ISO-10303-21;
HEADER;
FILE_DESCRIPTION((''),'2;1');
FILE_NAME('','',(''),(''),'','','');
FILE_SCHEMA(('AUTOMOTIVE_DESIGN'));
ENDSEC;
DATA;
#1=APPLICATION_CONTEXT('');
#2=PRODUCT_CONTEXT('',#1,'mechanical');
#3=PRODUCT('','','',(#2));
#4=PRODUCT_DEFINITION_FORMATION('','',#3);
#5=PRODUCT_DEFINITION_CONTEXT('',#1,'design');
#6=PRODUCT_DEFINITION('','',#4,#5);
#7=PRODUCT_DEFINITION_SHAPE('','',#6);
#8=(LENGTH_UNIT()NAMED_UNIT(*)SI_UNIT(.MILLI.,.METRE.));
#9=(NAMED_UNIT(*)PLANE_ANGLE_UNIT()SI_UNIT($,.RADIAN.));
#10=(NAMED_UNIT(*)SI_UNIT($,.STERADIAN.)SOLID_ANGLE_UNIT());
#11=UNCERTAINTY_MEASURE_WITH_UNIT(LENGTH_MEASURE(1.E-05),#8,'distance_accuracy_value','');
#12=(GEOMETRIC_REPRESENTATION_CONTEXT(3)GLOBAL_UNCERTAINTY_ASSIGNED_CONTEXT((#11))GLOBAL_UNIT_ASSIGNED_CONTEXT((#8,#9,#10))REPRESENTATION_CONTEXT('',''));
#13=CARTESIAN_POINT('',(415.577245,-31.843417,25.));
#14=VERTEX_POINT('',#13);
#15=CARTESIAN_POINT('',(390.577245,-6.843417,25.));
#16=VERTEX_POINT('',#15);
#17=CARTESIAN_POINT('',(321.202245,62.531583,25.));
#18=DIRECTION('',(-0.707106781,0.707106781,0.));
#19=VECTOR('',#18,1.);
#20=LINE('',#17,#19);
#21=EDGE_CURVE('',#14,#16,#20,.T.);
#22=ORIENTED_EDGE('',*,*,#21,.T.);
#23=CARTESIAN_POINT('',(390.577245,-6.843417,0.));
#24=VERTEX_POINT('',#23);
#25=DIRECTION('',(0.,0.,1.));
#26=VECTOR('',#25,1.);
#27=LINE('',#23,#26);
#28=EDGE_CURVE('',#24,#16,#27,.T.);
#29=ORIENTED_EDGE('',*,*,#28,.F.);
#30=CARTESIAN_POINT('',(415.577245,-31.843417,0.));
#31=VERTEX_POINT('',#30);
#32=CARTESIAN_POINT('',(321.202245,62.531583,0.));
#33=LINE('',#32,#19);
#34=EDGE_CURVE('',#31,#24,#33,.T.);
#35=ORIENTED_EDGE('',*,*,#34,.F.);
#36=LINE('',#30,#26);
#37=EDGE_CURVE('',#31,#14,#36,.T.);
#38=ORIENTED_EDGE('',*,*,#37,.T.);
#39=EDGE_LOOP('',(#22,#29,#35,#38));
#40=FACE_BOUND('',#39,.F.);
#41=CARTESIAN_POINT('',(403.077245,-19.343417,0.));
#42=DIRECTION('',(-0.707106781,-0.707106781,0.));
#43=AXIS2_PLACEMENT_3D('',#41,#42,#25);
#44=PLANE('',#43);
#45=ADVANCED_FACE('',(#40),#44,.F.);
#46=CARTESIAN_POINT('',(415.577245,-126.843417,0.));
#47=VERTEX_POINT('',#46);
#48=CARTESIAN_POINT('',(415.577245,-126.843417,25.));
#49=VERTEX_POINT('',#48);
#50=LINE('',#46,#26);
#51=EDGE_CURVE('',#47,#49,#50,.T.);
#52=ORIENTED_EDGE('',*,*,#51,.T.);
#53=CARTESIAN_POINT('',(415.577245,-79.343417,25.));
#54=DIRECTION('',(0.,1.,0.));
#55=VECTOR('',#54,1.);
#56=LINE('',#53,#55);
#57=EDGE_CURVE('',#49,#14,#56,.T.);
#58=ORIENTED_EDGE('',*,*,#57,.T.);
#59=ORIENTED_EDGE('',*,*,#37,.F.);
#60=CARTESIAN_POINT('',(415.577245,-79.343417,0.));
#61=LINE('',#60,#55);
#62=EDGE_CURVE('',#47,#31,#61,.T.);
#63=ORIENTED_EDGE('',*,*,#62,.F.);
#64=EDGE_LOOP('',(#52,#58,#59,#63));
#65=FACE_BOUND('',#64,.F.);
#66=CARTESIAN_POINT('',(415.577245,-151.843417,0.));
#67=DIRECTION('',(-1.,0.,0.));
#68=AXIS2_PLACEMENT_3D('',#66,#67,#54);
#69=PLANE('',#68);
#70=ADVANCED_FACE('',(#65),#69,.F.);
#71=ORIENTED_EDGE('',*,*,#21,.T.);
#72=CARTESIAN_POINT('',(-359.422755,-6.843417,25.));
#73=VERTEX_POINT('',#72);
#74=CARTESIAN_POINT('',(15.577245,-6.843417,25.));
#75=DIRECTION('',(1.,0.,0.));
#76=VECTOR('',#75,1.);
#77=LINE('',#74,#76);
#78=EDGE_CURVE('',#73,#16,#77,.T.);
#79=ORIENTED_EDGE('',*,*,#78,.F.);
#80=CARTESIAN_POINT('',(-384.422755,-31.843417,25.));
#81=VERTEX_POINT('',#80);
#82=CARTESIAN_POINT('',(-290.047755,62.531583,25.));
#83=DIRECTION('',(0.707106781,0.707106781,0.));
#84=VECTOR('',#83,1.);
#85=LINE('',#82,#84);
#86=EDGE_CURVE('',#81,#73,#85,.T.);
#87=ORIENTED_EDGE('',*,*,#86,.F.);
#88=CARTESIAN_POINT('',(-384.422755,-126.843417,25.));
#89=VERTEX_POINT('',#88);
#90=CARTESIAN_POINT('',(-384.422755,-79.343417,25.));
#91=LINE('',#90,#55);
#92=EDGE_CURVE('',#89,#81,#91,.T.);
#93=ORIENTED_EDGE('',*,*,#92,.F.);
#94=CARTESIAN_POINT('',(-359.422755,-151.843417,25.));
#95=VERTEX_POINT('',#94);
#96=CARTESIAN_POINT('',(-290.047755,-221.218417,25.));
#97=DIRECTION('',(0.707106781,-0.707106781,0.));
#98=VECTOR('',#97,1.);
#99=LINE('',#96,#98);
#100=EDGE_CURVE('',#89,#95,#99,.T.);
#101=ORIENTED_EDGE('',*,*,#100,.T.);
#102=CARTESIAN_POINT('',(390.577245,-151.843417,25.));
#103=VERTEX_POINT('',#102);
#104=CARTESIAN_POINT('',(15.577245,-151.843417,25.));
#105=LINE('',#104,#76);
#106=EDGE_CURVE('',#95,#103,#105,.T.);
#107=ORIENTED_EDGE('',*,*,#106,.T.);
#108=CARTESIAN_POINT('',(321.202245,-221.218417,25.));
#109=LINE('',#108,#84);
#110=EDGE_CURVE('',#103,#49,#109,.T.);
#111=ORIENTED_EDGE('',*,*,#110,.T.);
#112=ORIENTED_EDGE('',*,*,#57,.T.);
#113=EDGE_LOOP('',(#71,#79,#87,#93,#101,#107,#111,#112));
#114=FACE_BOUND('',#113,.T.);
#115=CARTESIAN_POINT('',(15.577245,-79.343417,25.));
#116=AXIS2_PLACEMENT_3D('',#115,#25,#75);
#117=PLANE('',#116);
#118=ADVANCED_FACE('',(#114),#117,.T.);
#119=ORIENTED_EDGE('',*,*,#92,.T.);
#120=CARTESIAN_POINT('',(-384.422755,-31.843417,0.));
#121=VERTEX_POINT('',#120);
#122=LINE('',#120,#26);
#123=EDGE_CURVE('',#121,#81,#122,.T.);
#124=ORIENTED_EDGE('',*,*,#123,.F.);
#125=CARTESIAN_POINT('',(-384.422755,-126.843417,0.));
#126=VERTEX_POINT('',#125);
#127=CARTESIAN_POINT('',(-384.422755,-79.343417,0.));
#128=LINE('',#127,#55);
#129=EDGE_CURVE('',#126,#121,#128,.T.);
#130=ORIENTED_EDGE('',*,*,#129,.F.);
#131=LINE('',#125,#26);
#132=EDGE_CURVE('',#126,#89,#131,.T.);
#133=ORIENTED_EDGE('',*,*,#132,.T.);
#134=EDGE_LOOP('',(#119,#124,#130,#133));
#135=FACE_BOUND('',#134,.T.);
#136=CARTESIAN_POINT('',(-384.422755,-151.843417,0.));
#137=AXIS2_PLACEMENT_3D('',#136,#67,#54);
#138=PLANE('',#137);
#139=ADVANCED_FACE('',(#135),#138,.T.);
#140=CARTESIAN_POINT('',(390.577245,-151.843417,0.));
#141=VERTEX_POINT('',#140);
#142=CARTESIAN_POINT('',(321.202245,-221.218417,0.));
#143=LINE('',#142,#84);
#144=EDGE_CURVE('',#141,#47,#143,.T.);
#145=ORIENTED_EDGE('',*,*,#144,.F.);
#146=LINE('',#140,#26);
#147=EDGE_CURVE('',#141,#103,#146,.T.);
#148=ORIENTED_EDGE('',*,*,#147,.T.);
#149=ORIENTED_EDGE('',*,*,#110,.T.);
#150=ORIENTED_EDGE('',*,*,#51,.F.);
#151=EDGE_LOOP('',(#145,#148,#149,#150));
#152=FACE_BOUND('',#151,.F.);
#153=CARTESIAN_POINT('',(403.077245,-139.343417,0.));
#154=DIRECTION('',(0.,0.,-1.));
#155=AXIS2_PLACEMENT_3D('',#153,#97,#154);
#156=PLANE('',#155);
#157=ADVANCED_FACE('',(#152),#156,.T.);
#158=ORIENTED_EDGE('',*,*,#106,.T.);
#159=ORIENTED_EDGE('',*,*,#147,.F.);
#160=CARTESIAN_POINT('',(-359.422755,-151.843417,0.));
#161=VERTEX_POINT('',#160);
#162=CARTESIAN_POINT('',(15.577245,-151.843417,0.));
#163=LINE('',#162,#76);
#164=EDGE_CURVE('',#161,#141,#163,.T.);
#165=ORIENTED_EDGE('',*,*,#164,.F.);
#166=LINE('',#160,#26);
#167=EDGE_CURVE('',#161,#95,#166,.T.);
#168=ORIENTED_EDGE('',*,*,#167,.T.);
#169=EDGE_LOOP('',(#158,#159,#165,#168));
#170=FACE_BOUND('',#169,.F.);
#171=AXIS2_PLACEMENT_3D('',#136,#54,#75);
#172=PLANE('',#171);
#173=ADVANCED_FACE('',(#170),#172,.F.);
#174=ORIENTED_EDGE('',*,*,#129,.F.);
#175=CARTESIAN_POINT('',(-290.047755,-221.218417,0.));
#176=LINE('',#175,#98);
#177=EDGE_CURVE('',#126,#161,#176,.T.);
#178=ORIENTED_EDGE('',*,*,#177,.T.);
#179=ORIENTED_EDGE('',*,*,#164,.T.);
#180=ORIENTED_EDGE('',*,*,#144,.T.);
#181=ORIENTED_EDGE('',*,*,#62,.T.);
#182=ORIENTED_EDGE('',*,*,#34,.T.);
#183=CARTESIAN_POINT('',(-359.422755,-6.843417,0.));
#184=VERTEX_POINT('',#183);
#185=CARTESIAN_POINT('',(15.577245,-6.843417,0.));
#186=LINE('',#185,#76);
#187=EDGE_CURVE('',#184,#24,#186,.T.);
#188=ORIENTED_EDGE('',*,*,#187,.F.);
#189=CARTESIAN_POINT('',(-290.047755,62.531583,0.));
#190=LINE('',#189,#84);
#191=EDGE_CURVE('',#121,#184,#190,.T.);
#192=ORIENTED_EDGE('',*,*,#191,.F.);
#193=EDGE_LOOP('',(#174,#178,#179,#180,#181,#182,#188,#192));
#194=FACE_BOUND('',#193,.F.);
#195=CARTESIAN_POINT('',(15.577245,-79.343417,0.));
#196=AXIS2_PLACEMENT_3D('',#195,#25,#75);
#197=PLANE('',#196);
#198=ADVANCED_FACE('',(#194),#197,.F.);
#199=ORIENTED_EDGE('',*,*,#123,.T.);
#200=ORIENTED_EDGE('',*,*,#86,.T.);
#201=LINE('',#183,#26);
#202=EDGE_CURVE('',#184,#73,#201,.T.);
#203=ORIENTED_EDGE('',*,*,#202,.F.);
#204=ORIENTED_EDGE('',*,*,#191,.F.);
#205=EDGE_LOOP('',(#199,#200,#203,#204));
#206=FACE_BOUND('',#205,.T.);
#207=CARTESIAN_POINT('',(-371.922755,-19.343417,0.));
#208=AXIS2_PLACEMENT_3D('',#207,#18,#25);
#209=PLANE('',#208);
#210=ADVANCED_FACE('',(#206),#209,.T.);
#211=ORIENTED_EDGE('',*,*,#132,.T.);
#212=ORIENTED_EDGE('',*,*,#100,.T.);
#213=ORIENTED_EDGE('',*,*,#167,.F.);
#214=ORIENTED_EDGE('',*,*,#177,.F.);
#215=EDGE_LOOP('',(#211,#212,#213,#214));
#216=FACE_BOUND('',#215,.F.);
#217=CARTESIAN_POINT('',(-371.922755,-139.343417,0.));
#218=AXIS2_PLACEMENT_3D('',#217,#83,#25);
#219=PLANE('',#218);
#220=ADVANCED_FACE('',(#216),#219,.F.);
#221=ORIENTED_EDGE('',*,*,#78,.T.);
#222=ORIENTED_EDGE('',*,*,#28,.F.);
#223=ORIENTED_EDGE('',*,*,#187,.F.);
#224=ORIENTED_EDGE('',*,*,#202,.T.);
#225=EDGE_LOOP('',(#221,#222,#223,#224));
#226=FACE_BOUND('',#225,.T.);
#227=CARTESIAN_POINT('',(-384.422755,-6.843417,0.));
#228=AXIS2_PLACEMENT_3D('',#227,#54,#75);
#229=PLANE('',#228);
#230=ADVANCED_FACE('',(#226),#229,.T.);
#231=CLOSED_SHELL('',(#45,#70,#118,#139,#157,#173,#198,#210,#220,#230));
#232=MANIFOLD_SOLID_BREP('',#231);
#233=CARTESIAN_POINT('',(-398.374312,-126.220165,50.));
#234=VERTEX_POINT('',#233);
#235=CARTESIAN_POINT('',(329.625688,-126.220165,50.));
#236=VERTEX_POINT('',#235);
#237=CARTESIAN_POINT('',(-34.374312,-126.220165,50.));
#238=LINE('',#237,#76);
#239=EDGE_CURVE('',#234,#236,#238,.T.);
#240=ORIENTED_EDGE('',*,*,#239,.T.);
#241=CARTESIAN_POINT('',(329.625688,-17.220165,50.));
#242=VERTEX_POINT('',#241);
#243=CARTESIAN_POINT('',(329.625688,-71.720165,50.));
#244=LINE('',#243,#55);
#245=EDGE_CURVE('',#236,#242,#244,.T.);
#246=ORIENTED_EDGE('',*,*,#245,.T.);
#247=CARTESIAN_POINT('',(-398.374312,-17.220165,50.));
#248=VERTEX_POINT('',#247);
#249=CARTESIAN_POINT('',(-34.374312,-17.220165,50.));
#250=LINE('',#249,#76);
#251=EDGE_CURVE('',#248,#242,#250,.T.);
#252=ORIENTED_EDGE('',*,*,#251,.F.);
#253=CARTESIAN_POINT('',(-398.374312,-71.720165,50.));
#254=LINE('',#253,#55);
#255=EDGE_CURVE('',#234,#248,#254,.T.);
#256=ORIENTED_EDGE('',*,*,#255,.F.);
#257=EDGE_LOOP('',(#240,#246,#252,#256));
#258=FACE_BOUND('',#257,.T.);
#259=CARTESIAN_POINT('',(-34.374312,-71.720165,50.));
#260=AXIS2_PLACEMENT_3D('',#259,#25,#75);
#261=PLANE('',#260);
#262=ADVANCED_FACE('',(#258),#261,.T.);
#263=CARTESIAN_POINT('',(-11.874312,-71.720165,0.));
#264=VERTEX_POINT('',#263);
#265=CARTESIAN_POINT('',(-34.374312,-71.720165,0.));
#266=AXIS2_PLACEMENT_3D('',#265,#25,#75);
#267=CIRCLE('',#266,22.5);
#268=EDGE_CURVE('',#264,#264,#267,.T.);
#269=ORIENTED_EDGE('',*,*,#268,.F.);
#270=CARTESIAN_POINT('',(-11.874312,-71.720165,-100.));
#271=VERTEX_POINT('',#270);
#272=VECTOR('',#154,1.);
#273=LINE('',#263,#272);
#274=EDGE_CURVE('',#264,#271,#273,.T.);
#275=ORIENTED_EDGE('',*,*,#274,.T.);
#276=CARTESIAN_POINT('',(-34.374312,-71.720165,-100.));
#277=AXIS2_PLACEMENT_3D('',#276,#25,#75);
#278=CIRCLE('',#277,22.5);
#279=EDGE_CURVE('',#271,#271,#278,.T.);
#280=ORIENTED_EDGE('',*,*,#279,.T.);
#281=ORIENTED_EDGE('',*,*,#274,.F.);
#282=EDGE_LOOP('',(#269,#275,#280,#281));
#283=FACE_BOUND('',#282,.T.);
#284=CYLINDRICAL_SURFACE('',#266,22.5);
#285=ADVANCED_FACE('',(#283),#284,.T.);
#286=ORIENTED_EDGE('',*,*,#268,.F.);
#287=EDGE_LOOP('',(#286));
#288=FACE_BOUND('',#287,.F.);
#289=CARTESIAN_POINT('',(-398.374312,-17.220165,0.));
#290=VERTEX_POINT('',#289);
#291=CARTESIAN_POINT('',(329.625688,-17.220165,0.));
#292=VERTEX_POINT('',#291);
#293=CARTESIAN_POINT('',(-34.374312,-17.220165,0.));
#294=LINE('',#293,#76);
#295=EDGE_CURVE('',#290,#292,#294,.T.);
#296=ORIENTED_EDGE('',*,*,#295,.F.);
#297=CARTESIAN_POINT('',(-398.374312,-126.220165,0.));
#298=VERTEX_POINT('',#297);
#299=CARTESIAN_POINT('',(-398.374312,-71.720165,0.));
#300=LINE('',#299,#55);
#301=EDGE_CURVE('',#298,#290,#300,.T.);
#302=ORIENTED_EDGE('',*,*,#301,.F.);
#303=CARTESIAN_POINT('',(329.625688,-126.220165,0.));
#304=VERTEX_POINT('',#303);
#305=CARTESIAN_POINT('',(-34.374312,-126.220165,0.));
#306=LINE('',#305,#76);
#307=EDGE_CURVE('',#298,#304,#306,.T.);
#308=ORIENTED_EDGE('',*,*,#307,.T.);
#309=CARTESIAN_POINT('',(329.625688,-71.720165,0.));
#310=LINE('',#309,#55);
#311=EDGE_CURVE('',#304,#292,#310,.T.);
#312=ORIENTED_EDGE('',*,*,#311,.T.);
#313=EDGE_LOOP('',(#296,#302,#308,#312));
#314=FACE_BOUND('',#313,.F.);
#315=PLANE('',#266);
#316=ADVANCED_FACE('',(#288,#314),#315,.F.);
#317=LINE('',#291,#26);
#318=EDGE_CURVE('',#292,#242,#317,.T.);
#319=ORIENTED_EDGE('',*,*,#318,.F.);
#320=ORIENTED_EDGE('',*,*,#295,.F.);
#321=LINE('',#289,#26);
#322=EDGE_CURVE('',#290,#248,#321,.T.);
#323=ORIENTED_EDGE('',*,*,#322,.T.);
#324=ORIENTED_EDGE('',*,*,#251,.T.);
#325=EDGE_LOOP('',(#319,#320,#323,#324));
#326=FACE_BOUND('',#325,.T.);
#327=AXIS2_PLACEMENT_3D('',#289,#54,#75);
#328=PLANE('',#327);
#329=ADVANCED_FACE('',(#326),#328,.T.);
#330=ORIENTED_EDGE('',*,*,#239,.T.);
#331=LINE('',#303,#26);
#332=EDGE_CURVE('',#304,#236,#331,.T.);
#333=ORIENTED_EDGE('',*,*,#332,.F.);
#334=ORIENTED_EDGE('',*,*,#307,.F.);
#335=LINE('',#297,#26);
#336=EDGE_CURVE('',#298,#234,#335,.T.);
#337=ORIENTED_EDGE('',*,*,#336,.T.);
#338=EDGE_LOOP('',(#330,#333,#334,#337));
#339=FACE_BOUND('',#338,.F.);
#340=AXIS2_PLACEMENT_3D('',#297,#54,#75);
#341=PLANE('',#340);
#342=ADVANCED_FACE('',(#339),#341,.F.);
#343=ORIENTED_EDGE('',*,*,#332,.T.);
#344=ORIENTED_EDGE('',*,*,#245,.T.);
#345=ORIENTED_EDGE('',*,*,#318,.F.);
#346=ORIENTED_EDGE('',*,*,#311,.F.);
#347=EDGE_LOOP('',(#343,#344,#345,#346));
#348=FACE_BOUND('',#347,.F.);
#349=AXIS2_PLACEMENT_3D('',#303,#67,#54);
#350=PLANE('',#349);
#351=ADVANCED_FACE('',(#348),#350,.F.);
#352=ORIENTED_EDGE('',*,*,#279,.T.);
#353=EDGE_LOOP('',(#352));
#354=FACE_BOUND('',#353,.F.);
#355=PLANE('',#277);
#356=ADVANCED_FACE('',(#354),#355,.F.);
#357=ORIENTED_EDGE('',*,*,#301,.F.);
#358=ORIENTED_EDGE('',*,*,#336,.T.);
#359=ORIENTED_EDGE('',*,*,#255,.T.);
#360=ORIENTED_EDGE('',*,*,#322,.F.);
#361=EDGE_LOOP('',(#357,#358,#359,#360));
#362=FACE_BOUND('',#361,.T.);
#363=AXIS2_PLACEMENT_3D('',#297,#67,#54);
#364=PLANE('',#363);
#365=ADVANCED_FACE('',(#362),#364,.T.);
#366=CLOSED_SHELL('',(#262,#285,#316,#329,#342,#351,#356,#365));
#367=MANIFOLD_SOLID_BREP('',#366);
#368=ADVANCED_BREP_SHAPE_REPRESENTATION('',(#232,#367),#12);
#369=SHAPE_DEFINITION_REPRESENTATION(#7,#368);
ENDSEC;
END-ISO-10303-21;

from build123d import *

# Parameters (mm, degrees)
F1_W     = 728
F1_H     = 109
F1_R     = 22.5
F2_DEPTH = 50
F3_DEPTH = 100
F0_W     = 800
F0_H     = 145
F4_DEPTH = 25
F5_SIZE  = 25


with BuildPart() as f2:
    # F1 (on Top) → F2 (new body)
    with BuildSketch(Plane.XY):
        with Locations((-34.374312, -71.720165)):
            Rectangle(F1_W, F1_H)
        with Locations((-34.374312, -71.720165)):
            Circle(F1_R, mode=Mode.SUBTRACT)
        with Locations((-34.374312, -71.720165)):
            Circle(F1_R)
    extrude(amount=F2_DEPTH)

    # F1 (on Top) → F3 (join)
    with BuildSketch(Plane.XY):
        with Locations((-34.374312, -71.720165)):
            Circle(F1_R)
    extrude(amount=-F3_DEPTH)


with BuildPart() as f4:
    # F0 (on Top) → F4 (new body)
    with BuildSketch(Plane.XY):
        with Locations((15.577245, -79.343417)):
            Rectangle(F0_W, F0_H)
    extrude(amount=F4_DEPTH)

    # F5
    f5_edges = [f4.edges().sort_by_distance(p)[0] for p in [
        (415.577245, -6.843417, 12.5),
        (415.577245, -151.843417, 12.5),
        (-384.422755, -6.843417, 12.5),
        (-384.422755, -151.843417, 12.5),
    ]]
    chamfer(f5_edges, length=F5_SIZE)


solid = Compound([f2.part, f4.part])
